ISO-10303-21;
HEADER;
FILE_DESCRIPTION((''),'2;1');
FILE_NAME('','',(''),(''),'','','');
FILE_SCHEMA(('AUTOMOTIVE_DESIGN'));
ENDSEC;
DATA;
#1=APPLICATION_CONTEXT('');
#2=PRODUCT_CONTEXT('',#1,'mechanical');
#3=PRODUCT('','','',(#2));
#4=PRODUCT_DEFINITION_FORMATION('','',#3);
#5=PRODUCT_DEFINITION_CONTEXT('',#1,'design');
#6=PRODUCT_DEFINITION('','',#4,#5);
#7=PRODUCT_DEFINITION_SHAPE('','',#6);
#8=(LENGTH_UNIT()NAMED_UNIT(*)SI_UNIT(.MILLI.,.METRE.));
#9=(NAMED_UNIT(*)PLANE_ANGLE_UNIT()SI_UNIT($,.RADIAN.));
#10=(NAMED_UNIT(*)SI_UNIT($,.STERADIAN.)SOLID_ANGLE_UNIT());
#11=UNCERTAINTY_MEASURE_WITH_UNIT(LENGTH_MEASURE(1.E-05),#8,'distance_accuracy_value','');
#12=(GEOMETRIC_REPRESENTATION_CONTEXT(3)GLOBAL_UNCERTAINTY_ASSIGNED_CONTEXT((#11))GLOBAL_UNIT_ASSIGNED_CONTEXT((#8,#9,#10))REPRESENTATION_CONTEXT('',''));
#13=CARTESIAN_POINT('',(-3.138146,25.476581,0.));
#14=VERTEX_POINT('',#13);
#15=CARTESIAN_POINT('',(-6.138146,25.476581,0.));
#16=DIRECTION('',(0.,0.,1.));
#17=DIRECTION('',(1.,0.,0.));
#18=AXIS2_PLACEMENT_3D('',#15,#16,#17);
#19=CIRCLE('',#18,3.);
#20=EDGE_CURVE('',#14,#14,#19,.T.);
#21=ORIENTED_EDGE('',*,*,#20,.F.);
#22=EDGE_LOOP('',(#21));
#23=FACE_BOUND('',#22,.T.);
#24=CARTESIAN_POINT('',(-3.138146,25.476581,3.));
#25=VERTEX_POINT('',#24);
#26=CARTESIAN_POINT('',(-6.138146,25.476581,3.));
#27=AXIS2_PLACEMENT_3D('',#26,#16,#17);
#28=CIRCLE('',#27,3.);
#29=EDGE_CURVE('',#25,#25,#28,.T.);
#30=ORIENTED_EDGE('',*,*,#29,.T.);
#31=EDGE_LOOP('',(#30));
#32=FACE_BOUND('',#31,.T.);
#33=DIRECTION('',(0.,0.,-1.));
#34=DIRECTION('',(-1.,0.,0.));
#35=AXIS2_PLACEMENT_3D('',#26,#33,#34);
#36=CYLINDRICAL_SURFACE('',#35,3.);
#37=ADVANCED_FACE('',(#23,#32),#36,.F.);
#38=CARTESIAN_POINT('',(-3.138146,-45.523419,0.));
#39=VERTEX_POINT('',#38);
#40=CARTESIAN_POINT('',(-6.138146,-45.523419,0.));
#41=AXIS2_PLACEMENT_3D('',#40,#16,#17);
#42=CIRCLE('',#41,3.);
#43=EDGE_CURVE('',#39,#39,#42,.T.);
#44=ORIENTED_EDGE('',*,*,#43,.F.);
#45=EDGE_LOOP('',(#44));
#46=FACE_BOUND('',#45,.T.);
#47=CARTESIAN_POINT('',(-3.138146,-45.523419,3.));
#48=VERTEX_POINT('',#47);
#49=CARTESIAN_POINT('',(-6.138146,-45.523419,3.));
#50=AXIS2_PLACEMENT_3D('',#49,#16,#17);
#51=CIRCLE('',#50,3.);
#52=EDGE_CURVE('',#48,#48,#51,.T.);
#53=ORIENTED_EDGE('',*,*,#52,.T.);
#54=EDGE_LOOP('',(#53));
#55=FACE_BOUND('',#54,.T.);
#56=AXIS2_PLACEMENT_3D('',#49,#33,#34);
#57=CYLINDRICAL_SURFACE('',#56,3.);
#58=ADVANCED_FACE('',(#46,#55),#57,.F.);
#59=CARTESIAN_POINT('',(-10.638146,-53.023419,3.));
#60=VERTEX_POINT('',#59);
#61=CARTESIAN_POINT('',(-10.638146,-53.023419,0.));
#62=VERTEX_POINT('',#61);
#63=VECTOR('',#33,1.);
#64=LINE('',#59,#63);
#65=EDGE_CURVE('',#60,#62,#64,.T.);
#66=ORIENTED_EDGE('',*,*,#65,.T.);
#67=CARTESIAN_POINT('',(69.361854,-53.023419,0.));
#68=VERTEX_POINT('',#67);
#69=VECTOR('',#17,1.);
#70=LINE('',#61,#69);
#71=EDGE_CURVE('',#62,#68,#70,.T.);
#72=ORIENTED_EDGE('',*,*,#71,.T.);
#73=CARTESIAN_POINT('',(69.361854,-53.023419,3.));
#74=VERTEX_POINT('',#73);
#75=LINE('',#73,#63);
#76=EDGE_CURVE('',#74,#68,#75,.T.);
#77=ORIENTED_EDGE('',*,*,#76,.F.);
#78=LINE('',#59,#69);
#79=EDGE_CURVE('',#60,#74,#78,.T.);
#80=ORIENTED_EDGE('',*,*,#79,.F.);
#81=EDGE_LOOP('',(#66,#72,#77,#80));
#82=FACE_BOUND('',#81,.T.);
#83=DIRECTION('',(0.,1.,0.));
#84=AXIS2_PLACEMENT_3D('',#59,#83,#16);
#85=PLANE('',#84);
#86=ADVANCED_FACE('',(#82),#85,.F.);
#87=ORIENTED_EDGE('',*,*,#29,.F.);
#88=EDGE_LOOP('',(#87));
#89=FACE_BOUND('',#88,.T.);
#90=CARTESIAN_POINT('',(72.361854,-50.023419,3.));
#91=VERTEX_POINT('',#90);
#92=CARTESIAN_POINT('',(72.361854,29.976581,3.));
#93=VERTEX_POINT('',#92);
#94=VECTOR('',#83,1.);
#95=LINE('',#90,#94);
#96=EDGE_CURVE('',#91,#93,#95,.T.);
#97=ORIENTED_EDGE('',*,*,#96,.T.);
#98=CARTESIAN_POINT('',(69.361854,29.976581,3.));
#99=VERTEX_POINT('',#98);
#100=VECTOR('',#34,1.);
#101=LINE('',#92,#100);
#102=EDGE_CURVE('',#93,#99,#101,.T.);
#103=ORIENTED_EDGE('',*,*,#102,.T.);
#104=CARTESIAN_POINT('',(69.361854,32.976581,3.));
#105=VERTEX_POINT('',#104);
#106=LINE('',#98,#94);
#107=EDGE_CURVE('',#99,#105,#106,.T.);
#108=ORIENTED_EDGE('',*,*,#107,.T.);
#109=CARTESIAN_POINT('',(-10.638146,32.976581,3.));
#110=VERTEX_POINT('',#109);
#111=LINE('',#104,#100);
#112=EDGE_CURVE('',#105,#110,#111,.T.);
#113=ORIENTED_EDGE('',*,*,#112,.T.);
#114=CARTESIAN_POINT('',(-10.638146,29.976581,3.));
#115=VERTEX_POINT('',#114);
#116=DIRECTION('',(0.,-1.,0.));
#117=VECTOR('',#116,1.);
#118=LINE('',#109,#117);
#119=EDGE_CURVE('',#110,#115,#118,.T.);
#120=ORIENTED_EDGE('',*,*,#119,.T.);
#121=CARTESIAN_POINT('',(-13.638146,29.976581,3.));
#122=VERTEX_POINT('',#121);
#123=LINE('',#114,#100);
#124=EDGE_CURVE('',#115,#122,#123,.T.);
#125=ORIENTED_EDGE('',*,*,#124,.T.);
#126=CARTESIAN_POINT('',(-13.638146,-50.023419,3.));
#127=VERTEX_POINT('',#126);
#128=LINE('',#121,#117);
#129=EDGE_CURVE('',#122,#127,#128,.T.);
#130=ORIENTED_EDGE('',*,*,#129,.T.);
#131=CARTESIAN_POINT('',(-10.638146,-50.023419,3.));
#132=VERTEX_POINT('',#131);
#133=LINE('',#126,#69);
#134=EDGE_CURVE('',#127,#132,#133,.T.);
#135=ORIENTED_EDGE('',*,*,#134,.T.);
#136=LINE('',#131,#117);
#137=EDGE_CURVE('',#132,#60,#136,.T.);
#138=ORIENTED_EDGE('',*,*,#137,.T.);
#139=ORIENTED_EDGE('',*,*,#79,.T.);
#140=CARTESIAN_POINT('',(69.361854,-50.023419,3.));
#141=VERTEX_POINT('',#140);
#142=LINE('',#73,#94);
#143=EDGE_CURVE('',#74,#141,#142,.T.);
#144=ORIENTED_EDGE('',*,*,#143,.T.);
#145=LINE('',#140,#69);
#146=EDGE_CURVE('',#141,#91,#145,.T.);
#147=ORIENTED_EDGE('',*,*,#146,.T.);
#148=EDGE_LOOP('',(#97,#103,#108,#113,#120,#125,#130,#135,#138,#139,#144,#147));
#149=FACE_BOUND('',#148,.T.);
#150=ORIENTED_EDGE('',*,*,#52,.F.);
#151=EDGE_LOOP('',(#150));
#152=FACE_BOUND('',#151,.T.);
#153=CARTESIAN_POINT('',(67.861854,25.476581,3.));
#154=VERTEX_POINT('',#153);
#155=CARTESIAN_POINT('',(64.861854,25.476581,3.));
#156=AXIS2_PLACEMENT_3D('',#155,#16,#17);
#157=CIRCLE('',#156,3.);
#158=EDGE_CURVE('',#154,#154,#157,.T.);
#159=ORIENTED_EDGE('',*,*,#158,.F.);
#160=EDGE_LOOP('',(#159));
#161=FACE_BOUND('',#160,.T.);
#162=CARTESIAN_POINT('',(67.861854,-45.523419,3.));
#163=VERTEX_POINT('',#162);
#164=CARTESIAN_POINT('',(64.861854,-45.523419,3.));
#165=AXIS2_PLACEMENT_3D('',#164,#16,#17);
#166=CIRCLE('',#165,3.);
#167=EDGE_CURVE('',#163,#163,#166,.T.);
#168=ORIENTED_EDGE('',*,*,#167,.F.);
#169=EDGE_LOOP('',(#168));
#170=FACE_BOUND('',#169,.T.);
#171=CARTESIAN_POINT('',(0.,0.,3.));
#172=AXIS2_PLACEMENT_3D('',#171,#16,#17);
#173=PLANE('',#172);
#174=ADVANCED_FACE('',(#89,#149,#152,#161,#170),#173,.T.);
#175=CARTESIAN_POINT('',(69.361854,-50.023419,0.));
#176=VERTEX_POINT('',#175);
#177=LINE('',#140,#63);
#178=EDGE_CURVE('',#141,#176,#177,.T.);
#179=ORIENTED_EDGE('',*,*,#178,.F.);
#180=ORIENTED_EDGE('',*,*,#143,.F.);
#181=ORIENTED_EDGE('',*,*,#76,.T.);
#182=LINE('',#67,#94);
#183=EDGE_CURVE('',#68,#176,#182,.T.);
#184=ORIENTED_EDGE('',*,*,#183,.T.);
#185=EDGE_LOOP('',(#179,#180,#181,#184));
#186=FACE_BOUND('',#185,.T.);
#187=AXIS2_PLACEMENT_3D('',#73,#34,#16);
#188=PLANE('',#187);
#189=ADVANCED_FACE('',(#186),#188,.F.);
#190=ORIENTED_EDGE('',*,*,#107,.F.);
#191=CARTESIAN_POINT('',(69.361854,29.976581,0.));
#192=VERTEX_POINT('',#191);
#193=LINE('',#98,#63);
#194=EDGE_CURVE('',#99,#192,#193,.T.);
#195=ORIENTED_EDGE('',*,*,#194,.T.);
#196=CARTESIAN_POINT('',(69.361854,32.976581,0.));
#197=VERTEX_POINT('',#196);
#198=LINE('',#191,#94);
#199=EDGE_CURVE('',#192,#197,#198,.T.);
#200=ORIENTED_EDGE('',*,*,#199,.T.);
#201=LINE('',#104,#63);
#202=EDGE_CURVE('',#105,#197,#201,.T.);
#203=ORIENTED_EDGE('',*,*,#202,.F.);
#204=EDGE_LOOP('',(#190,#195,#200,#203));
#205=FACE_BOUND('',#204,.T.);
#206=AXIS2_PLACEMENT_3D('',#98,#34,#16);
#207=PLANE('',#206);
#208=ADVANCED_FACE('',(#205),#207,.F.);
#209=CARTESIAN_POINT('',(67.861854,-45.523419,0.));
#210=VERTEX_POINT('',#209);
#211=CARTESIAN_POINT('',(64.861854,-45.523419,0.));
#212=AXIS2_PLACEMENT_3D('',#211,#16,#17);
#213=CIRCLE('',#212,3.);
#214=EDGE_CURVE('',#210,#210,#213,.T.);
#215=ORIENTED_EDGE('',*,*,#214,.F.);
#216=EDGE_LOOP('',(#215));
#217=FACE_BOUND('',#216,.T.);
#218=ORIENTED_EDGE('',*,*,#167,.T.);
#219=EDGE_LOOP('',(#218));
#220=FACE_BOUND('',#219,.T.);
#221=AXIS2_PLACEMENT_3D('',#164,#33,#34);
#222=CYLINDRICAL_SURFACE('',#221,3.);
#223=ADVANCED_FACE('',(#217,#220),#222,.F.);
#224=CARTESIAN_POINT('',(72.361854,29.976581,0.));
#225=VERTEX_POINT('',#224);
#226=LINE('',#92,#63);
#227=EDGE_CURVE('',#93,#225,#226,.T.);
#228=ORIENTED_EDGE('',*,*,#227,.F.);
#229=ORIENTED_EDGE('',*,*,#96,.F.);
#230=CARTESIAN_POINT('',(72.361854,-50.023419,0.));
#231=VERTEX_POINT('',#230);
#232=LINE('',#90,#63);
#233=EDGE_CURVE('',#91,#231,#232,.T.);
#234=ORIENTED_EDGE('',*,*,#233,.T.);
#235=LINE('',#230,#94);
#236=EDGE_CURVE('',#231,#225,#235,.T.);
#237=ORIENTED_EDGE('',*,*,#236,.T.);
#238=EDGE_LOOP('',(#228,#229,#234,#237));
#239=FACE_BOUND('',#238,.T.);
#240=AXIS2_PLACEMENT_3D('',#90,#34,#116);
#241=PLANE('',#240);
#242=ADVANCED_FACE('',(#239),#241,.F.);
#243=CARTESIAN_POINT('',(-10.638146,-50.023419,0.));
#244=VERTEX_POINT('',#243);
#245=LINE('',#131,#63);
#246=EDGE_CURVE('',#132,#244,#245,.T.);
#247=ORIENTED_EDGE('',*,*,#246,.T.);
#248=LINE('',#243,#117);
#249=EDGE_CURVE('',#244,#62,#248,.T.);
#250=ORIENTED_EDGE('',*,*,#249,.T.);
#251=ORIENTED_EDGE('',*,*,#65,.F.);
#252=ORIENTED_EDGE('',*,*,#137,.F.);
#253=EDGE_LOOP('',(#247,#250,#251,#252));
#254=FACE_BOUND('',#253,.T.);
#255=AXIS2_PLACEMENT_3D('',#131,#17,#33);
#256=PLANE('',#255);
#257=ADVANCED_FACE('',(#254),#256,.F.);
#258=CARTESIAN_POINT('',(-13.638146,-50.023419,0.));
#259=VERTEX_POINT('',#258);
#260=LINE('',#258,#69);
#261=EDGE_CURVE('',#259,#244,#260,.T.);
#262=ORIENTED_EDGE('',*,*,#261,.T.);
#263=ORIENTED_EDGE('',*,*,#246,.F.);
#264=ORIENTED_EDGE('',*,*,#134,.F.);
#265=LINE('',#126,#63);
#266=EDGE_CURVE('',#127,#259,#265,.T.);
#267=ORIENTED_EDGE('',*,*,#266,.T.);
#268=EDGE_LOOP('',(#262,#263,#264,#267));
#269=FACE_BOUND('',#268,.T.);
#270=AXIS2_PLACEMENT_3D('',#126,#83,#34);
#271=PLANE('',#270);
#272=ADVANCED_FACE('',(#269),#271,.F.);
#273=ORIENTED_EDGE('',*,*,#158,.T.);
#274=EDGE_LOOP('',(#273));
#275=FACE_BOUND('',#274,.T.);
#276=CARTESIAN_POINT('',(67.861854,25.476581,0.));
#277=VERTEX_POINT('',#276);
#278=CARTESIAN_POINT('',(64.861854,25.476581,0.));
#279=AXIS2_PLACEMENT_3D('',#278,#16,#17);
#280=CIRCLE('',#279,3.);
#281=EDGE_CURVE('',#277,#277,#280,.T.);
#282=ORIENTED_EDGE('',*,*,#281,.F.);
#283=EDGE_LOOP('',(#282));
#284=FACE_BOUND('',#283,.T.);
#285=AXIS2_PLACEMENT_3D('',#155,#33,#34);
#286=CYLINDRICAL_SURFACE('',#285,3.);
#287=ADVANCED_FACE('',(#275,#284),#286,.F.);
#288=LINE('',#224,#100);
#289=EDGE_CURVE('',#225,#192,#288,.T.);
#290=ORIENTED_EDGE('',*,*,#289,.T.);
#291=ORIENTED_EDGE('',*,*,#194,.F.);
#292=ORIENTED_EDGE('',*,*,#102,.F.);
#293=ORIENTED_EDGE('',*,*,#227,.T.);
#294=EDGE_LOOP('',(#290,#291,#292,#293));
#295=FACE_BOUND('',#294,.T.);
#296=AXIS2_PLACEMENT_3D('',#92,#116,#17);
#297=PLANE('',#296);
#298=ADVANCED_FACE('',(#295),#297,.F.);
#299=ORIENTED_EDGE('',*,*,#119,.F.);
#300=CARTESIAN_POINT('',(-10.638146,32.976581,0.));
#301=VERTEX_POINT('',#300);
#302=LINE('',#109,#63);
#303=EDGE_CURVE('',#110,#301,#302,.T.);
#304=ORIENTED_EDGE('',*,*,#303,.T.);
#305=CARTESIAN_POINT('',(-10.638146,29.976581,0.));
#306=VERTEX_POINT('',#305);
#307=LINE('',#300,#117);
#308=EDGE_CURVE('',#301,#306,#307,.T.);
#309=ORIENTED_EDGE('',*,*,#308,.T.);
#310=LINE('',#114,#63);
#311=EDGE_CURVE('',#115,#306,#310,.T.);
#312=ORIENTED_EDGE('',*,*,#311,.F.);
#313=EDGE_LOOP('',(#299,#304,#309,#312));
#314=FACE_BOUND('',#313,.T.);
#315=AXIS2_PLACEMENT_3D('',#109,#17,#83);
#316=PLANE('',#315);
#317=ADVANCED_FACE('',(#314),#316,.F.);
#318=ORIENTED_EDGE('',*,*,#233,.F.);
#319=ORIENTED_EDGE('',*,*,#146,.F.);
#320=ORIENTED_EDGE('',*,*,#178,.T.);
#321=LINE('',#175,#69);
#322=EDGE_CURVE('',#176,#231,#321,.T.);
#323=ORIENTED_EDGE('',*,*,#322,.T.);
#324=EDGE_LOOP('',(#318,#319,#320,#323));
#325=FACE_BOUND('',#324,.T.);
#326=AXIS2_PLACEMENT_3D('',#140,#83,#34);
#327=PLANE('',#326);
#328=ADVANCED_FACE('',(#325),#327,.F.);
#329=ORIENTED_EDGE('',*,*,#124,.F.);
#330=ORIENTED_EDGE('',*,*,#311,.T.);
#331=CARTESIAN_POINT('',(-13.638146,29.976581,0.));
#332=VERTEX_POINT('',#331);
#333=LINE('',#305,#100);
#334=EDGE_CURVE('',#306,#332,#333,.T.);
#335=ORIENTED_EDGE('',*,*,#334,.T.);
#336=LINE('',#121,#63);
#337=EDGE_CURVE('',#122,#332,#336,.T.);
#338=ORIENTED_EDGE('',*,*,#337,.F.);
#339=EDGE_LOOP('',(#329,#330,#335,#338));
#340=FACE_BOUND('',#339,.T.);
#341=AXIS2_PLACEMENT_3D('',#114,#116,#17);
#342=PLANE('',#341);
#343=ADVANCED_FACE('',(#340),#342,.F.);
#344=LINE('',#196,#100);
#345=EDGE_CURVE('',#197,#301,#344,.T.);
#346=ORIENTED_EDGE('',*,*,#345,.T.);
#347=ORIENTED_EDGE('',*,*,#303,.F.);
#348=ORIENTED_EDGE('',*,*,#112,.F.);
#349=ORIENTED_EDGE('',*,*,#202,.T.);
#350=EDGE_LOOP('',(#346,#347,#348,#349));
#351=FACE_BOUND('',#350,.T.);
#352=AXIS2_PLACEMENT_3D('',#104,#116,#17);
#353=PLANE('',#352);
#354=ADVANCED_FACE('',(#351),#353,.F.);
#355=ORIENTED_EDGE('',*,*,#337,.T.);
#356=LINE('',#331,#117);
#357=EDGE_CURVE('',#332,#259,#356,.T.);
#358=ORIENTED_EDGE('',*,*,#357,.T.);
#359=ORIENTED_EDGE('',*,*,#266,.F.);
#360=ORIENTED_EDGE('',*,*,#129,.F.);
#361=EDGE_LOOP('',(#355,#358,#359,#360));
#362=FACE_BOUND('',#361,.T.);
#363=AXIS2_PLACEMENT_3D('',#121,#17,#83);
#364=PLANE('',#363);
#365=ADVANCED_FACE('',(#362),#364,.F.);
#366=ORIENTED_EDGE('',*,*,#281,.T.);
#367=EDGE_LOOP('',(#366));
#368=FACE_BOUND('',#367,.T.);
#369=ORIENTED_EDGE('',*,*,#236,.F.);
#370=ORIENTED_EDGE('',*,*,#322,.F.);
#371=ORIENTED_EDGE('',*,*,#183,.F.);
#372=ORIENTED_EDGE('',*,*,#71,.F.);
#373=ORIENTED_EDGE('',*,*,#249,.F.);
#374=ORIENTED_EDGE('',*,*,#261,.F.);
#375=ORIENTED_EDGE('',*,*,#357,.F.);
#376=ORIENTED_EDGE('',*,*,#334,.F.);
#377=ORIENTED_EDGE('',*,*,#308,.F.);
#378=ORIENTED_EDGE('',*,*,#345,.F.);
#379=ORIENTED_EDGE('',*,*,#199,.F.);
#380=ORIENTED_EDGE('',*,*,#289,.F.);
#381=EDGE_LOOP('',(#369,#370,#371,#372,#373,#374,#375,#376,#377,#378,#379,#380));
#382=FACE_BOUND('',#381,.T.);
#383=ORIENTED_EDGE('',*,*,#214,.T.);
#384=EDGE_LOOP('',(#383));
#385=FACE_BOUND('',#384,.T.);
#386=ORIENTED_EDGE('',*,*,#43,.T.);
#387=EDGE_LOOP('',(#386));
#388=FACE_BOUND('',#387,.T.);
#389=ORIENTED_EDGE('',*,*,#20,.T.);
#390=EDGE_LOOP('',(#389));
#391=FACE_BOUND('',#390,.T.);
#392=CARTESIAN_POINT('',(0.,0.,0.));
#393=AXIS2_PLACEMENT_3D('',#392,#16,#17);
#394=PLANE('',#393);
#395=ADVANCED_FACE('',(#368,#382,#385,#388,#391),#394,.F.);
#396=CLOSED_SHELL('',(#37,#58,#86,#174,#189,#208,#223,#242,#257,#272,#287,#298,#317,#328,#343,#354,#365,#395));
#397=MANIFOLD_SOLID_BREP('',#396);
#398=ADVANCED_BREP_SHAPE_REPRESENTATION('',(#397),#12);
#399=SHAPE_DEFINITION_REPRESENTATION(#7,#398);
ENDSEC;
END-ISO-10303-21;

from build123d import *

# Parameters (mm, degrees)
SKETCH1_R           = 3
BOSS_EXTRUDE1_DEPTH = 3


with BuildPart() as part:
    # Sketch1 → Boss-Extrude1 (new body)
    with BuildSketch(Plane.XY):
        Polygon((-10.638145624, 32.976580824), (-10.638145624, 29.976580824), (-13.638145624, 29.976580824), (-13.638145624, -50.023419176), (-10.638145624, -50.023419176), (-10.638145624, -53.023419176), (69.361854376, -53.023419176), (69.361854376, -50.023419176), (72.361854376, -50.023419176), (72.361854376, 29.976580824), (69.361854376, 29.976580824), (69.361854376, 32.976580824), align=None)
        with Locations((-6.138145624, 25.476580824)):
            Circle(SKETCH1_R, mode=Mode.SUBTRACT)
        with Locations((64.861854376, 25.476580824)):
            Circle(SKETCH1_R, mode=Mode.SUBTRACT)
        with Locations((-6.138145624, -45.523419176)):
            Circle(SKETCH1_R, mode=Mode.SUBTRACT)
        with Locations((64.861854376, -45.523419176)):
            Circle(SKETCH1_R, mode=Mode.SUBTRACT)
    extrude(amount=BOSS_EXTRUDE1_DEPTH)


solid = part.part
